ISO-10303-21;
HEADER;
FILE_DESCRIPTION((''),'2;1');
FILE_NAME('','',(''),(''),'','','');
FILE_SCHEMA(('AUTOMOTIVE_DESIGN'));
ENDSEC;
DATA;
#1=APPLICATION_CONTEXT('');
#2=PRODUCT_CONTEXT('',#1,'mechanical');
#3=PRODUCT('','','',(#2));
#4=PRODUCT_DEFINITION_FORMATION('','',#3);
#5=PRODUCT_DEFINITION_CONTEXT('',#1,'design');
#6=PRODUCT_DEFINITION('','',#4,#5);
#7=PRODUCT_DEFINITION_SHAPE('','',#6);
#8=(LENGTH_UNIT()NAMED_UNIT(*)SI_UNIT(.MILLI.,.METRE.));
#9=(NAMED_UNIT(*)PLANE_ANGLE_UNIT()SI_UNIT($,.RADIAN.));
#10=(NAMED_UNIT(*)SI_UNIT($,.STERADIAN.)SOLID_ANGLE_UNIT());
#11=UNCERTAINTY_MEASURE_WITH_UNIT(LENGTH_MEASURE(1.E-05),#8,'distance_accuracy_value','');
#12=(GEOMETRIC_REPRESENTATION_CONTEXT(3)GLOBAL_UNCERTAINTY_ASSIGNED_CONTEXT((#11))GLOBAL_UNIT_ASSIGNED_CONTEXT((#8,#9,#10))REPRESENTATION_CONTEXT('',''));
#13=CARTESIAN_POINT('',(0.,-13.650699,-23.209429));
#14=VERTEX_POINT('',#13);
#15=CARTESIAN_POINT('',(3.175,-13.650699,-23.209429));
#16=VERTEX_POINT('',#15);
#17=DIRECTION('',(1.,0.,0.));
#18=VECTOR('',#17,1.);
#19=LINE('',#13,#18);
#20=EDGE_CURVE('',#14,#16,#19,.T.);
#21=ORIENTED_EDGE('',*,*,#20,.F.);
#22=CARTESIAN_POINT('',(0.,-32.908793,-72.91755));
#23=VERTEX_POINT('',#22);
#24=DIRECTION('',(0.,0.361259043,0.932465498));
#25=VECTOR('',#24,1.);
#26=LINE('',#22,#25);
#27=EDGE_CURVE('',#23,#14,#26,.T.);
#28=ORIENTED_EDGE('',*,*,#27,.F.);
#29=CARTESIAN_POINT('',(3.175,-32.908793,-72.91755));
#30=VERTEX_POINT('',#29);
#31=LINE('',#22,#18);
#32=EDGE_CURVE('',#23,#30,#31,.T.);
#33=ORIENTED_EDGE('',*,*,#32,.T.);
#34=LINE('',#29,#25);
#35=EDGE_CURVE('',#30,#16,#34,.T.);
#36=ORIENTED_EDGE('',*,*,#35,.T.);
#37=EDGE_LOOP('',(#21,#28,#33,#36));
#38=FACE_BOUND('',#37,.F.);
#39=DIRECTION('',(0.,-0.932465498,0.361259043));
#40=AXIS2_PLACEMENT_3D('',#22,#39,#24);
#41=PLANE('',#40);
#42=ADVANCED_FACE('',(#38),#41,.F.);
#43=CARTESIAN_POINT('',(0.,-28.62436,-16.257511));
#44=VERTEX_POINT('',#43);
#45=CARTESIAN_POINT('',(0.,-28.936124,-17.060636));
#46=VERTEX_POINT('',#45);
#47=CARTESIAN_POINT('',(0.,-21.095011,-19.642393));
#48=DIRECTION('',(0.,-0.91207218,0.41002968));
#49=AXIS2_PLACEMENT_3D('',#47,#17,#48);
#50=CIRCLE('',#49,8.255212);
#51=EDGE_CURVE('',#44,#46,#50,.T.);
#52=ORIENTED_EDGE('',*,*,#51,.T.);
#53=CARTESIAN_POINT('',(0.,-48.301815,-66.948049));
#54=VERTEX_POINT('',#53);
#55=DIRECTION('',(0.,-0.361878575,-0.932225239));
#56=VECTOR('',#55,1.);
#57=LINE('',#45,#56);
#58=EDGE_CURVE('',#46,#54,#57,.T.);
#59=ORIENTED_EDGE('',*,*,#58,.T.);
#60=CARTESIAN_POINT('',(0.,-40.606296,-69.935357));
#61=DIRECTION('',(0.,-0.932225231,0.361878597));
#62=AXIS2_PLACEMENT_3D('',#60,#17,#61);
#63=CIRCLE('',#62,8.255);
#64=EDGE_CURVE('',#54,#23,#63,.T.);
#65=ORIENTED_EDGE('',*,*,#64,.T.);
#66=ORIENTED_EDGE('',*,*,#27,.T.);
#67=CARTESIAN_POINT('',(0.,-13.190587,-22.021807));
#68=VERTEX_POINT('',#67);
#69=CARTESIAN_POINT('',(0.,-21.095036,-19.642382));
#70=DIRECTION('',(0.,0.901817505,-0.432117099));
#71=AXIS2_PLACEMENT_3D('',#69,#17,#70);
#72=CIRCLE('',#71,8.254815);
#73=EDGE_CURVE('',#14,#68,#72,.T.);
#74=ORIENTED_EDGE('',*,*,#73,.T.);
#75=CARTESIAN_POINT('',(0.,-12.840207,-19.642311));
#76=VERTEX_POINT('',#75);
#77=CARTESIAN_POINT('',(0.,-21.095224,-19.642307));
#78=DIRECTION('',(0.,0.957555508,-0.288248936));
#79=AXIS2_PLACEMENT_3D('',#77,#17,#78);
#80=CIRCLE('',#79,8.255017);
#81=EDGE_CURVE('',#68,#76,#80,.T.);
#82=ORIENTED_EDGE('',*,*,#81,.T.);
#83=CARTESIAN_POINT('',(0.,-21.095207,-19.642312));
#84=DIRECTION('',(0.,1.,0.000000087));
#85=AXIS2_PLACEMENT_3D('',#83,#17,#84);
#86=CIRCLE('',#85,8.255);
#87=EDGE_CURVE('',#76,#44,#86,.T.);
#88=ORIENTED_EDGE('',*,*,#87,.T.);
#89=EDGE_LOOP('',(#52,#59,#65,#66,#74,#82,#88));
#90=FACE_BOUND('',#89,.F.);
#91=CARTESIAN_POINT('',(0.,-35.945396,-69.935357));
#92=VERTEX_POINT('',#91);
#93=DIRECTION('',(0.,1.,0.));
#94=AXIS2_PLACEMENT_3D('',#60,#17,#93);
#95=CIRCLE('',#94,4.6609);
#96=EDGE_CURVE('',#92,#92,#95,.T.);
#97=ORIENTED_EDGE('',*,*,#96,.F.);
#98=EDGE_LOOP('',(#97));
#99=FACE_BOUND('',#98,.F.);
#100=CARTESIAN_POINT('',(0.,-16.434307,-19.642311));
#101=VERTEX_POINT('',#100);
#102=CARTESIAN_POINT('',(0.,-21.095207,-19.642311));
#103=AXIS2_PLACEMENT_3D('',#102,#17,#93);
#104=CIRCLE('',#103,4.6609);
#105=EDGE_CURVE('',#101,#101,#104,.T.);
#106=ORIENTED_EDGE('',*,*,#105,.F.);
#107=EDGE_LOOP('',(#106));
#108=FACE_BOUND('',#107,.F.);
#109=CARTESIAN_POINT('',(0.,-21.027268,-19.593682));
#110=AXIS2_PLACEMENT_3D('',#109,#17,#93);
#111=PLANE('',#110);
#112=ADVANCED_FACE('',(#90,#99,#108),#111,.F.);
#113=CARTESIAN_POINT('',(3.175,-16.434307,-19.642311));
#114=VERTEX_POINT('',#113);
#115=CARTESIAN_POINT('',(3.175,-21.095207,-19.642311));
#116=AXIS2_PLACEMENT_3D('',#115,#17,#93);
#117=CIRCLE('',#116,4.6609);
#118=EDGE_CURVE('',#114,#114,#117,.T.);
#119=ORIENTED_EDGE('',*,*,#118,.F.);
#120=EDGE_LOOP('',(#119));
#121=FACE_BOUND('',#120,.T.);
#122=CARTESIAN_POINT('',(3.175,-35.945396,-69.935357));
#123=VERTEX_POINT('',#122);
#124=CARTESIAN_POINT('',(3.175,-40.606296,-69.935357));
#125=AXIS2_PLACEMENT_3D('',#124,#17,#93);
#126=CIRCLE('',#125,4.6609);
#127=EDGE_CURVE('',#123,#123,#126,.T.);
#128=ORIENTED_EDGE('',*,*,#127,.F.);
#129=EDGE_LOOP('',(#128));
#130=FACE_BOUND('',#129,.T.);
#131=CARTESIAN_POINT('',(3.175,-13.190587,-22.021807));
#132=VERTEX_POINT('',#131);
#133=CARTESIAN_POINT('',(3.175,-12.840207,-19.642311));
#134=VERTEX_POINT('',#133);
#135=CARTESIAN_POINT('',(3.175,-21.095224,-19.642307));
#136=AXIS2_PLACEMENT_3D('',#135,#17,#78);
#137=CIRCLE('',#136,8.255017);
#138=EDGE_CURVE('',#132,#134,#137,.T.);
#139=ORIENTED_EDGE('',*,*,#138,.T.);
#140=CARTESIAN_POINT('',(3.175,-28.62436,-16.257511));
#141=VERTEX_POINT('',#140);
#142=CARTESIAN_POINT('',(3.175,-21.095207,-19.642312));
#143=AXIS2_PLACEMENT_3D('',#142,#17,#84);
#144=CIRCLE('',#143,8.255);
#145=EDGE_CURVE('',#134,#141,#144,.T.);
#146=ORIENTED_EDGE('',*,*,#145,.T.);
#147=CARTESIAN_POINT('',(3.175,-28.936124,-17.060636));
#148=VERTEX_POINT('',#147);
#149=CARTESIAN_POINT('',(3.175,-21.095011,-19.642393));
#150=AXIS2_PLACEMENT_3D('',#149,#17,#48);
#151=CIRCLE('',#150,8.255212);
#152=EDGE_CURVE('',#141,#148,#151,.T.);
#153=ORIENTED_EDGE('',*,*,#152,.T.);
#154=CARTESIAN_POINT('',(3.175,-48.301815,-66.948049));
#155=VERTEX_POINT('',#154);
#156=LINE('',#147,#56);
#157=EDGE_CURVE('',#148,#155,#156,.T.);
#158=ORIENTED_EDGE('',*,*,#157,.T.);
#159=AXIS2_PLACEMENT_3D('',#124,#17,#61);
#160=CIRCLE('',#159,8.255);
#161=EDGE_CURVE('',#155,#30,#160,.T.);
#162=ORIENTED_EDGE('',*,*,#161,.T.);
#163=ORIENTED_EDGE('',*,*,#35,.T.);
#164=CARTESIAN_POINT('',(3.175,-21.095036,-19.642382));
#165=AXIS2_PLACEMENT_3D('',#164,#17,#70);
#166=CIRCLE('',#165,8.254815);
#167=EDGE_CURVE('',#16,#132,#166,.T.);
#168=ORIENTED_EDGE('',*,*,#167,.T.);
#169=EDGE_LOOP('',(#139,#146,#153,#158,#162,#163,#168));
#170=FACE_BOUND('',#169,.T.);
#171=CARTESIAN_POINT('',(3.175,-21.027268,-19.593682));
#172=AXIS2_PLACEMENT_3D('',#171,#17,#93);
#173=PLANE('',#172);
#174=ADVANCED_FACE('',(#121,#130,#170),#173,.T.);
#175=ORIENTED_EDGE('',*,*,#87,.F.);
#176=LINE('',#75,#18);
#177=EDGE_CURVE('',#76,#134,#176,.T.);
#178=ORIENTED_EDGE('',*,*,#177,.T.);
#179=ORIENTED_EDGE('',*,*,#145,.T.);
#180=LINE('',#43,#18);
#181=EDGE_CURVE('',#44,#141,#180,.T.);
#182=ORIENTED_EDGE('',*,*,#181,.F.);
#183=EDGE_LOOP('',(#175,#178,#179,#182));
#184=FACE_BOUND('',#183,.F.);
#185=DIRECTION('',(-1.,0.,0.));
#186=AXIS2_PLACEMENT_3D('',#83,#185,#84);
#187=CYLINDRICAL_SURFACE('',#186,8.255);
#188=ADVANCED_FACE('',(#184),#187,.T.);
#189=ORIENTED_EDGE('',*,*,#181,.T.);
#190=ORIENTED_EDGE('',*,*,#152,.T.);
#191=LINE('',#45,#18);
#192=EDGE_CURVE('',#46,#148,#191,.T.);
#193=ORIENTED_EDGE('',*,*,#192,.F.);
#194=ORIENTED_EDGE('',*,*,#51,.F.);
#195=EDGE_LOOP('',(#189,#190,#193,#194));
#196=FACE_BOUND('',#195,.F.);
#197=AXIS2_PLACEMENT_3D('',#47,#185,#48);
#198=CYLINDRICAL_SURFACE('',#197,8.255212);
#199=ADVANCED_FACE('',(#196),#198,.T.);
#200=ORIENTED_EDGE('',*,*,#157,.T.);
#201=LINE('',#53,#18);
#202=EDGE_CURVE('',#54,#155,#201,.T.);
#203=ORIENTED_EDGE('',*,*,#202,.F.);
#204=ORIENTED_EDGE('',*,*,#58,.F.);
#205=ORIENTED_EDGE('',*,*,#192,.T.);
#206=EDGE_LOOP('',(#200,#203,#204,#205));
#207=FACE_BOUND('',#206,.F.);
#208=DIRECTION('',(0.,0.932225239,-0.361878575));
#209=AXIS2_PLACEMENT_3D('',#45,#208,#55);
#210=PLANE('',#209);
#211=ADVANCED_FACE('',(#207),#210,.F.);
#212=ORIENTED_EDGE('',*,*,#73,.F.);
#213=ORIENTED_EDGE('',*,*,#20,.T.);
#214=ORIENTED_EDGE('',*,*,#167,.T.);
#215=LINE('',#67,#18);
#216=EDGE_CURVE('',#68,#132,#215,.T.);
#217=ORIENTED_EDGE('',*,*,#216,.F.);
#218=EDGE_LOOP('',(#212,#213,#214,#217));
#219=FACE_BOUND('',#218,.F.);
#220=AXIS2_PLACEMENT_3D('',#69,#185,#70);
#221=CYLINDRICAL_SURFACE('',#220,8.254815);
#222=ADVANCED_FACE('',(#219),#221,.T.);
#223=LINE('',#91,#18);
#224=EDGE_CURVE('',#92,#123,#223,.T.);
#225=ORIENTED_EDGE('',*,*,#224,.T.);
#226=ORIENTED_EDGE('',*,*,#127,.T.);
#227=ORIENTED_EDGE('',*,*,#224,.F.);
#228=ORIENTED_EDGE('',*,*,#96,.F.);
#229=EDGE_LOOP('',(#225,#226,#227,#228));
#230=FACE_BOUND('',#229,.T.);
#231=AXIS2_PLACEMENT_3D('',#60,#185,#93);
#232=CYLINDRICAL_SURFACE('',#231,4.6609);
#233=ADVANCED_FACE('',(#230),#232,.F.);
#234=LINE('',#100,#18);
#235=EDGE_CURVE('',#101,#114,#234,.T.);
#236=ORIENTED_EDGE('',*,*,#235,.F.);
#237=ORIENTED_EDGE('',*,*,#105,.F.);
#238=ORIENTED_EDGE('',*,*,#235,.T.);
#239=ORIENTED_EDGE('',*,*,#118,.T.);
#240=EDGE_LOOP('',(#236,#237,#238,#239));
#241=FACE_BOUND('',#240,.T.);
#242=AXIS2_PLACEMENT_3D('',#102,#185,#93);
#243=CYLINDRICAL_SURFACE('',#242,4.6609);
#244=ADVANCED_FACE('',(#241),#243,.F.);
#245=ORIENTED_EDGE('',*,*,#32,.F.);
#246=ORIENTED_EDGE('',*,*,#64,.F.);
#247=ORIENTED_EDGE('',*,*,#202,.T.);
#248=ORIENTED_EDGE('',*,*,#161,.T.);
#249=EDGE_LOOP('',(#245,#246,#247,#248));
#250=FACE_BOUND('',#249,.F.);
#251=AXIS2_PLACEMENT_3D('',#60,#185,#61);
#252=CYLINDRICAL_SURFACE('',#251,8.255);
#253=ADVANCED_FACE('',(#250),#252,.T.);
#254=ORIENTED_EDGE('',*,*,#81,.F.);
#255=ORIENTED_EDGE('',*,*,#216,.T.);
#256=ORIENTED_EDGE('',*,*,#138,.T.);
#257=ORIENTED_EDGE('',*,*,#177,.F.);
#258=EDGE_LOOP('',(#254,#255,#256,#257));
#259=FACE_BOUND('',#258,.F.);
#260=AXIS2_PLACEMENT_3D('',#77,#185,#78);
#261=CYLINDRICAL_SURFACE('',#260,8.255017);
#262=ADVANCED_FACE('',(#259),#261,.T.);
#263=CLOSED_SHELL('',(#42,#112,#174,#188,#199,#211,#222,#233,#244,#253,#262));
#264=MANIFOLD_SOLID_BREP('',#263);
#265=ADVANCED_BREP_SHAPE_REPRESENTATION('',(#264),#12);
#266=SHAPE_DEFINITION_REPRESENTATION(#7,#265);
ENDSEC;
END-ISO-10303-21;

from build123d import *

# Parameters (mm, degrees)
F0_R     = 4.6609
F1_DEPTH = 3.175


with BuildPart() as f1:
    # F0 (on Right) → F1 (new body)
    with BuildSketch(Plane.YZ):
        with BuildLine():
            ThreePointArc((-13.190587, -22.021807), (-12.928272, -20.844888), (-12.840207, -19.642311))
            ThreePointArc((-12.840207, -19.642311), (-19.364331, -11.570813), (-28.62436, -16.257511))
            Line((-28.62436, -16.257511), (-28.936124, -17.060636))
            ThreePointArc((-28.936124, -17.060636), (-24.175986, -27.30089), (-13.650699, -23.209429))
            Line((-13.650699, -23.209429), (-13.190587, -22.021807))
        make_face()
        with Locations((-21.095207, -19.642311)):
            Circle(F0_R, mode=Mode.SUBTRACT)
        with BuildLine():
            Line((-28.936124, -17.060636), (-28.62436, -16.257511))
            ThreePointArc((-28.62436, -16.257511), (-28.790726, -16.655004), (-28.936124, -17.060636))
        make_face()
        with BuildLine():
            ThreePointArc((-13.650699, -23.209429), (-13.397704, -22.624505), (-13.190587, -22.021807))
            Line((-13.190587, -22.021807), (-13.650699, -23.209429))
        make_face()
        with BuildLine():
            ThreePointArc((-13.650699, -23.209429), (-24.175986, -27.30089), (-28.936124, -17.060636))
            Line((-28.936124, -17.060636), (-48.301815, -66.948049))
            ThreePointArc((-48.301815, -66.948049), (-39.086672, -61.821433), (-32.351296, -69.935357))
            ThreePointArc((-32.351296, -69.935357), (-32.491867, -71.452285), (-32.908793, -72.91755))
            Line((-32.908793, -72.91755), (-13.650699, -23.209429))
        make_face()
        with BuildLine():
            ThreePointArc((-32.351296, -69.935357), (-39.086672, -61.821433), (-48.301815, -66.948049))
            ThreePointArc((-48.301815, -66.948049), (-43.591047, -77.631868), (-32.908793, -72.91755))
            ThreePointArc((-32.908793, -72.91755), (-32.491867, -71.452285), (-32.351296, -69.935357))
        make_face()
        with Locations((-40.606296, -69.935357)):
            Circle(F0_R, mode=Mode.SUBTRACT)
    extrude(amount=F1_DEPTH)


solid = f1.part
